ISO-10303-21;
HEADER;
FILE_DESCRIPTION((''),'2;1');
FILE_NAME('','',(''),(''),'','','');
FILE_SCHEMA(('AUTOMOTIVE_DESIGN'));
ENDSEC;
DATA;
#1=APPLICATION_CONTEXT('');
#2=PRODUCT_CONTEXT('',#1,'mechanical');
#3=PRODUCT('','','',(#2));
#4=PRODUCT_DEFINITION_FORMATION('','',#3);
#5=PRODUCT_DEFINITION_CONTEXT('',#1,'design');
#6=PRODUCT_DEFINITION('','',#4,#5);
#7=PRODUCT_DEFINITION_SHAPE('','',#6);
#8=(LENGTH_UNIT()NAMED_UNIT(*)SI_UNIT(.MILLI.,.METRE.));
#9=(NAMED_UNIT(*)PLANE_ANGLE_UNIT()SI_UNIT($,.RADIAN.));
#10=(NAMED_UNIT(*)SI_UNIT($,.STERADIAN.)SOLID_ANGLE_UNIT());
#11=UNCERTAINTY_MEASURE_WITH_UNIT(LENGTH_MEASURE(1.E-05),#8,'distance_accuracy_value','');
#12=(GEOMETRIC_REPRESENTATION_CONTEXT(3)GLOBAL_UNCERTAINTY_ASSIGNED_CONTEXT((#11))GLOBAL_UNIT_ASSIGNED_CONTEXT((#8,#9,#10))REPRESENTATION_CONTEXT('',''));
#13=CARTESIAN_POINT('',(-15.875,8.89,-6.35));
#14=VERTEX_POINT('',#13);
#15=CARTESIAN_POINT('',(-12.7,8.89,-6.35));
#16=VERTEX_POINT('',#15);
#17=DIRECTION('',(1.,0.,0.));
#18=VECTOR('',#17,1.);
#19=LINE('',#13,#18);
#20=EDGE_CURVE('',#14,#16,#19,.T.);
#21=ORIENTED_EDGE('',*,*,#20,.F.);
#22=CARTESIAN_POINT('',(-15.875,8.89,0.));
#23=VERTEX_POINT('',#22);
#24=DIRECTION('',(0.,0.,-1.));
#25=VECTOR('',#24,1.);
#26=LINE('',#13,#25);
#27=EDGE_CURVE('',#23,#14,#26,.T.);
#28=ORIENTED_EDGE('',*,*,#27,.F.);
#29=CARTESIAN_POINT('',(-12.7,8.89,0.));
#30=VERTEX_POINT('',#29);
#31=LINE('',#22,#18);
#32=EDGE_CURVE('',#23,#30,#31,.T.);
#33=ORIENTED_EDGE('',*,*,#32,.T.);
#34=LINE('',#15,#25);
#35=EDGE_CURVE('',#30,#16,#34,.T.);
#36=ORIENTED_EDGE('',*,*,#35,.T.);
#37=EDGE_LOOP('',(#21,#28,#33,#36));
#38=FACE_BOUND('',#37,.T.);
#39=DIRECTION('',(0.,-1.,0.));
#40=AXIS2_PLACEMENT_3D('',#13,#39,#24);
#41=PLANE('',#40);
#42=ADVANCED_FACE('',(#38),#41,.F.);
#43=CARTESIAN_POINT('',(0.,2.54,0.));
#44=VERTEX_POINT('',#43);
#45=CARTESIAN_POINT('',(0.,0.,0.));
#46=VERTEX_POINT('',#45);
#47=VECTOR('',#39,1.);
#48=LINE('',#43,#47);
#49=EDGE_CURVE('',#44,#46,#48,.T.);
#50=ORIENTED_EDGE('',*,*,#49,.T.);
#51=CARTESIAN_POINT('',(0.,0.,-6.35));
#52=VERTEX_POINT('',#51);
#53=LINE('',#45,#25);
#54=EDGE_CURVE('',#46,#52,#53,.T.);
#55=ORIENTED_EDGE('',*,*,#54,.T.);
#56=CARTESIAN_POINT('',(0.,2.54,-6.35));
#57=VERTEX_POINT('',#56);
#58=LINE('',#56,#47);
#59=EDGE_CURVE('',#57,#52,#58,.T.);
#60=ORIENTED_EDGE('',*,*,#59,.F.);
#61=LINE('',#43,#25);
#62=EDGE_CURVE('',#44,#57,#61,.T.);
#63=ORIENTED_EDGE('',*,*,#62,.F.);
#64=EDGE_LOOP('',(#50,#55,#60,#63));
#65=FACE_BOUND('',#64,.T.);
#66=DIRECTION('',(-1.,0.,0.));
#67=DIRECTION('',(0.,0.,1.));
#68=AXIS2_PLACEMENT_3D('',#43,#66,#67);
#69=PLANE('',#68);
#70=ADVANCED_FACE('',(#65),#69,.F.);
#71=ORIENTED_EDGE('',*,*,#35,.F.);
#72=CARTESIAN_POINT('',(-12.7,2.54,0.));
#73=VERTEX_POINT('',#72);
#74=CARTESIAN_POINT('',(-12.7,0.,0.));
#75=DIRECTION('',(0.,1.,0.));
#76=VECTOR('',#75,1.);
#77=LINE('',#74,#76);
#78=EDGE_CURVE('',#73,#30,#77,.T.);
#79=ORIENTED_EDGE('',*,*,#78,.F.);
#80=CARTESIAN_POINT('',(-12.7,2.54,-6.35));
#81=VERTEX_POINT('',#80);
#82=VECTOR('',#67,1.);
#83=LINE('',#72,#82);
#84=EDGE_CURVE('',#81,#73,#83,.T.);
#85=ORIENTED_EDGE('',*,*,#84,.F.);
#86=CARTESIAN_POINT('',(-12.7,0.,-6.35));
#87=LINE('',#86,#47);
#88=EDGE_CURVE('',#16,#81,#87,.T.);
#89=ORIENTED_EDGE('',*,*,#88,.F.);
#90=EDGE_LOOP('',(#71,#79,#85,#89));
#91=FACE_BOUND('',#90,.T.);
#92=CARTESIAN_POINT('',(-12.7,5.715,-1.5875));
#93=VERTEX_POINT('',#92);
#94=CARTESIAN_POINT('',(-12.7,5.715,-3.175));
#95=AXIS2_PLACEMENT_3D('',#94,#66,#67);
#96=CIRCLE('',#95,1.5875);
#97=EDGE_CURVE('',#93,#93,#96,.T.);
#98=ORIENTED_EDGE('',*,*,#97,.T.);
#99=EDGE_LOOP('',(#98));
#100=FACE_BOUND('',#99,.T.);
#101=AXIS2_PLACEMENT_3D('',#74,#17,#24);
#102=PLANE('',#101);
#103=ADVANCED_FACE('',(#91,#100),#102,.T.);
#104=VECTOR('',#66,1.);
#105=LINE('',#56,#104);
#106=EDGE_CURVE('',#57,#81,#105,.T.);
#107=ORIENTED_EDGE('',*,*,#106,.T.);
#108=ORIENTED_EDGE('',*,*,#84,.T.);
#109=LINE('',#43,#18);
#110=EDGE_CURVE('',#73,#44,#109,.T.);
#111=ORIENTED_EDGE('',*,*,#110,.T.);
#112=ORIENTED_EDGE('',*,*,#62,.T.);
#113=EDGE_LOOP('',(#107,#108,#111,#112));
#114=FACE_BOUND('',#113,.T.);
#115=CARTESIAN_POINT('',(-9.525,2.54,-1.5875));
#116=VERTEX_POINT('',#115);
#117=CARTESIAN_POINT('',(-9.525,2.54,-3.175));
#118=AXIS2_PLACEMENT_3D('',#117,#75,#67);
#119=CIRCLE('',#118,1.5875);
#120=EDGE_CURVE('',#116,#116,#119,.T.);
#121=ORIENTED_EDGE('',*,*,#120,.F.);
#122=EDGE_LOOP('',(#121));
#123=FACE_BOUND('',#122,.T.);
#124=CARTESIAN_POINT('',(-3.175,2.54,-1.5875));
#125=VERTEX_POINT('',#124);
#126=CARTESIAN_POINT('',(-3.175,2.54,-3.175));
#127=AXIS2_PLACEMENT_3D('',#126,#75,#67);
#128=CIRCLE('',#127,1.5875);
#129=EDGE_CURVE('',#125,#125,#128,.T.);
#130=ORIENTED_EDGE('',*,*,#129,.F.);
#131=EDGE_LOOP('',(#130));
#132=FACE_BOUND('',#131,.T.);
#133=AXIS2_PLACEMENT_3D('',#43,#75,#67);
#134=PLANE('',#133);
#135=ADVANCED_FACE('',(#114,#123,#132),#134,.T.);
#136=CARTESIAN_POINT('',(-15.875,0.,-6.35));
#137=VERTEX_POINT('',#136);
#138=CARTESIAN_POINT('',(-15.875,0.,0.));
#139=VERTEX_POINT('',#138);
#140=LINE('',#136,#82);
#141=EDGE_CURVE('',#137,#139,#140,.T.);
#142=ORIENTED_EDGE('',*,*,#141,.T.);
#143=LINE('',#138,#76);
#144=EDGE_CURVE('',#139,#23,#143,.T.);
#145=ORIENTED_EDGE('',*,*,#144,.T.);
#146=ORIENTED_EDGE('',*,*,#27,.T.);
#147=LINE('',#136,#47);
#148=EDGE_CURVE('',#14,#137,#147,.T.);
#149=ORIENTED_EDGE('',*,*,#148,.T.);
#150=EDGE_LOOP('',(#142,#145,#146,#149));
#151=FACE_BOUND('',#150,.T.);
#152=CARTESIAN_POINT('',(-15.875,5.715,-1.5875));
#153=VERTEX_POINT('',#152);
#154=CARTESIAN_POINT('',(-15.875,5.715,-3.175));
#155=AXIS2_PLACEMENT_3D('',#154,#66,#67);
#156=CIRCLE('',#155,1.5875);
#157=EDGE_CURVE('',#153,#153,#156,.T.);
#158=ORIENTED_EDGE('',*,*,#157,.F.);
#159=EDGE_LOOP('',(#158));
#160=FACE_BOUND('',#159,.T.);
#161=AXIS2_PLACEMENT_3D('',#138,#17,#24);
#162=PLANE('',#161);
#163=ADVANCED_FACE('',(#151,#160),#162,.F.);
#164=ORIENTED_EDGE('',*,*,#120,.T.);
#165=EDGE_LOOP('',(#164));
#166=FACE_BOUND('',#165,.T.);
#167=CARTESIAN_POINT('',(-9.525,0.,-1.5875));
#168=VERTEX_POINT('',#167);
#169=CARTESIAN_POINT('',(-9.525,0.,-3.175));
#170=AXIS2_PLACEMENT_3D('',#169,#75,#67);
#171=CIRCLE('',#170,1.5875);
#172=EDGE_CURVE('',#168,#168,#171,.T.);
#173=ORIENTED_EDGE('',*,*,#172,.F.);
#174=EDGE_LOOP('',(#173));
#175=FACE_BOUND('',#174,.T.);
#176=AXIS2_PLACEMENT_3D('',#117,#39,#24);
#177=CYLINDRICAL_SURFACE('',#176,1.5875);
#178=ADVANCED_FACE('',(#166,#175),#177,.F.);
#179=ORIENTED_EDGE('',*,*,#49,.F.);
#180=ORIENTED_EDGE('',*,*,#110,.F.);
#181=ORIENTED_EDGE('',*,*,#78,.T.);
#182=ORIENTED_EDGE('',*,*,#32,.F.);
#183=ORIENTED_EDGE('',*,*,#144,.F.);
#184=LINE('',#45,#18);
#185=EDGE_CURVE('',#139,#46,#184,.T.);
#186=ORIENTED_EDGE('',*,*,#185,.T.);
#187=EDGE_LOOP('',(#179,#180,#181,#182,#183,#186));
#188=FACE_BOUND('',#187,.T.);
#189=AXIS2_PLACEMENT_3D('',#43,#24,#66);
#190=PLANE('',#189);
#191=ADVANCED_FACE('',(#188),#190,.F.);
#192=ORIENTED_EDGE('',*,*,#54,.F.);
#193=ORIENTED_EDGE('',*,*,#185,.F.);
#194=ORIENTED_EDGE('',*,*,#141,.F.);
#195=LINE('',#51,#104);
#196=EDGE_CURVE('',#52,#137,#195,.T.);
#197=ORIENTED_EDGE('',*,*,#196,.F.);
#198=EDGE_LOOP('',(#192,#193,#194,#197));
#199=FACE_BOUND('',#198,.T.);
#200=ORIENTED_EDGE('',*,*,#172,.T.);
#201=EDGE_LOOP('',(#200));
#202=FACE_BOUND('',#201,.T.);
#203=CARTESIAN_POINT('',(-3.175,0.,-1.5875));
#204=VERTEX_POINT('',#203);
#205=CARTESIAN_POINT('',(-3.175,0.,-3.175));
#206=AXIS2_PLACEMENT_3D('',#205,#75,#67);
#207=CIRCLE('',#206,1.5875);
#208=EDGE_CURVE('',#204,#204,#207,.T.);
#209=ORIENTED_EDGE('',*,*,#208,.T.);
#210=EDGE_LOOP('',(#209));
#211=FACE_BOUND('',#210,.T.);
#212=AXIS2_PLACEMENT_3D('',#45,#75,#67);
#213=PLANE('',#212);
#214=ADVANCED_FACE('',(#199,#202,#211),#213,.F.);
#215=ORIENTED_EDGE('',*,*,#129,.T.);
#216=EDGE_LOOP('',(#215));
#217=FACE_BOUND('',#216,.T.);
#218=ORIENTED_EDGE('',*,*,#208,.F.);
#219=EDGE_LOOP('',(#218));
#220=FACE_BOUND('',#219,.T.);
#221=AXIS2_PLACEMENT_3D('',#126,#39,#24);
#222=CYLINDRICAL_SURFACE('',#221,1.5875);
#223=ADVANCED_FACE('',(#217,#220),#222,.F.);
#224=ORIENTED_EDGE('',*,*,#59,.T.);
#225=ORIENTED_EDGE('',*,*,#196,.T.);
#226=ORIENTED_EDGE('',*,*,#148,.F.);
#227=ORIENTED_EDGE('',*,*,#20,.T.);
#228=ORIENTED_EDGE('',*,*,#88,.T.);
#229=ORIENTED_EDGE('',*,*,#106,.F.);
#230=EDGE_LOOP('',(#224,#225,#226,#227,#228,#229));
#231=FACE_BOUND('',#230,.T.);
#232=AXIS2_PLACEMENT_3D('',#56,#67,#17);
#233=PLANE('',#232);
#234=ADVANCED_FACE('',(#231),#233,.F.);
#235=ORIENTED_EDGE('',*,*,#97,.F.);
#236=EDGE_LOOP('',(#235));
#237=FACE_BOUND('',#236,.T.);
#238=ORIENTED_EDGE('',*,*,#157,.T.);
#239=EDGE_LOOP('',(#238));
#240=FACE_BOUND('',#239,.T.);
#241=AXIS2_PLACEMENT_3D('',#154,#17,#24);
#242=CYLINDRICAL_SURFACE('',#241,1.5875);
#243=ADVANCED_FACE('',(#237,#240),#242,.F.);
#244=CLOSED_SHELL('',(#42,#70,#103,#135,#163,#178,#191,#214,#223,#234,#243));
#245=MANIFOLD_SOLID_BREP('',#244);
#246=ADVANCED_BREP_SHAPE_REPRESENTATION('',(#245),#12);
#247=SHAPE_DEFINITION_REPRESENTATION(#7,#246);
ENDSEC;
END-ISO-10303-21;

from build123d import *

# Parameters (mm, degrees)
SKETCH1_W           = 12.7
SKETCH1_H           = 6.35
SKETCH1_R           = 1.5875
BOSS_EXTRUDE1_DEPTH = 2.54
SKETCH2_W           = 6.35
SKETCH2_H           = 8.89
SKETCH2_R           = 1.5875
BOSS_EXTRUDE2_DEPTH = 3.175


with BuildPart() as part:
    # Sketch1 → Boss-Extrude1 (new body)
    with BuildSketch(Plane(origin=(0, 0, 0), x_dir=(1, 0, 0), z_dir=(0, 1, 0))):
        with Locations((-6.35, 3.175)):
            Rectangle(SKETCH1_W, SKETCH1_H)
        with Locations((-3.175, 3.175)):
            Circle(SKETCH1_R, mode=Mode.SUBTRACT)
        with Locations((-9.525, 3.175)):
            Circle(SKETCH1_R, mode=Mode.SUBTRACT)
    extrude(amount=BOSS_EXTRUDE1_DEPTH)

    # Sketch2 → Boss-Extrude2 (add)
    with BuildSketch(Plane.ZY.offset(12.7)):
        with Locations((-3.175, 4.445)):
            Rectangle(SKETCH2_W, SKETCH2_H)
        with Locations((-3.175, 5.715)):
            Circle(SKETCH2_R, mode=Mode.SUBTRACT)
    extrude(amount=BOSS_EXTRUDE2_DEPTH)


solid = part.part
